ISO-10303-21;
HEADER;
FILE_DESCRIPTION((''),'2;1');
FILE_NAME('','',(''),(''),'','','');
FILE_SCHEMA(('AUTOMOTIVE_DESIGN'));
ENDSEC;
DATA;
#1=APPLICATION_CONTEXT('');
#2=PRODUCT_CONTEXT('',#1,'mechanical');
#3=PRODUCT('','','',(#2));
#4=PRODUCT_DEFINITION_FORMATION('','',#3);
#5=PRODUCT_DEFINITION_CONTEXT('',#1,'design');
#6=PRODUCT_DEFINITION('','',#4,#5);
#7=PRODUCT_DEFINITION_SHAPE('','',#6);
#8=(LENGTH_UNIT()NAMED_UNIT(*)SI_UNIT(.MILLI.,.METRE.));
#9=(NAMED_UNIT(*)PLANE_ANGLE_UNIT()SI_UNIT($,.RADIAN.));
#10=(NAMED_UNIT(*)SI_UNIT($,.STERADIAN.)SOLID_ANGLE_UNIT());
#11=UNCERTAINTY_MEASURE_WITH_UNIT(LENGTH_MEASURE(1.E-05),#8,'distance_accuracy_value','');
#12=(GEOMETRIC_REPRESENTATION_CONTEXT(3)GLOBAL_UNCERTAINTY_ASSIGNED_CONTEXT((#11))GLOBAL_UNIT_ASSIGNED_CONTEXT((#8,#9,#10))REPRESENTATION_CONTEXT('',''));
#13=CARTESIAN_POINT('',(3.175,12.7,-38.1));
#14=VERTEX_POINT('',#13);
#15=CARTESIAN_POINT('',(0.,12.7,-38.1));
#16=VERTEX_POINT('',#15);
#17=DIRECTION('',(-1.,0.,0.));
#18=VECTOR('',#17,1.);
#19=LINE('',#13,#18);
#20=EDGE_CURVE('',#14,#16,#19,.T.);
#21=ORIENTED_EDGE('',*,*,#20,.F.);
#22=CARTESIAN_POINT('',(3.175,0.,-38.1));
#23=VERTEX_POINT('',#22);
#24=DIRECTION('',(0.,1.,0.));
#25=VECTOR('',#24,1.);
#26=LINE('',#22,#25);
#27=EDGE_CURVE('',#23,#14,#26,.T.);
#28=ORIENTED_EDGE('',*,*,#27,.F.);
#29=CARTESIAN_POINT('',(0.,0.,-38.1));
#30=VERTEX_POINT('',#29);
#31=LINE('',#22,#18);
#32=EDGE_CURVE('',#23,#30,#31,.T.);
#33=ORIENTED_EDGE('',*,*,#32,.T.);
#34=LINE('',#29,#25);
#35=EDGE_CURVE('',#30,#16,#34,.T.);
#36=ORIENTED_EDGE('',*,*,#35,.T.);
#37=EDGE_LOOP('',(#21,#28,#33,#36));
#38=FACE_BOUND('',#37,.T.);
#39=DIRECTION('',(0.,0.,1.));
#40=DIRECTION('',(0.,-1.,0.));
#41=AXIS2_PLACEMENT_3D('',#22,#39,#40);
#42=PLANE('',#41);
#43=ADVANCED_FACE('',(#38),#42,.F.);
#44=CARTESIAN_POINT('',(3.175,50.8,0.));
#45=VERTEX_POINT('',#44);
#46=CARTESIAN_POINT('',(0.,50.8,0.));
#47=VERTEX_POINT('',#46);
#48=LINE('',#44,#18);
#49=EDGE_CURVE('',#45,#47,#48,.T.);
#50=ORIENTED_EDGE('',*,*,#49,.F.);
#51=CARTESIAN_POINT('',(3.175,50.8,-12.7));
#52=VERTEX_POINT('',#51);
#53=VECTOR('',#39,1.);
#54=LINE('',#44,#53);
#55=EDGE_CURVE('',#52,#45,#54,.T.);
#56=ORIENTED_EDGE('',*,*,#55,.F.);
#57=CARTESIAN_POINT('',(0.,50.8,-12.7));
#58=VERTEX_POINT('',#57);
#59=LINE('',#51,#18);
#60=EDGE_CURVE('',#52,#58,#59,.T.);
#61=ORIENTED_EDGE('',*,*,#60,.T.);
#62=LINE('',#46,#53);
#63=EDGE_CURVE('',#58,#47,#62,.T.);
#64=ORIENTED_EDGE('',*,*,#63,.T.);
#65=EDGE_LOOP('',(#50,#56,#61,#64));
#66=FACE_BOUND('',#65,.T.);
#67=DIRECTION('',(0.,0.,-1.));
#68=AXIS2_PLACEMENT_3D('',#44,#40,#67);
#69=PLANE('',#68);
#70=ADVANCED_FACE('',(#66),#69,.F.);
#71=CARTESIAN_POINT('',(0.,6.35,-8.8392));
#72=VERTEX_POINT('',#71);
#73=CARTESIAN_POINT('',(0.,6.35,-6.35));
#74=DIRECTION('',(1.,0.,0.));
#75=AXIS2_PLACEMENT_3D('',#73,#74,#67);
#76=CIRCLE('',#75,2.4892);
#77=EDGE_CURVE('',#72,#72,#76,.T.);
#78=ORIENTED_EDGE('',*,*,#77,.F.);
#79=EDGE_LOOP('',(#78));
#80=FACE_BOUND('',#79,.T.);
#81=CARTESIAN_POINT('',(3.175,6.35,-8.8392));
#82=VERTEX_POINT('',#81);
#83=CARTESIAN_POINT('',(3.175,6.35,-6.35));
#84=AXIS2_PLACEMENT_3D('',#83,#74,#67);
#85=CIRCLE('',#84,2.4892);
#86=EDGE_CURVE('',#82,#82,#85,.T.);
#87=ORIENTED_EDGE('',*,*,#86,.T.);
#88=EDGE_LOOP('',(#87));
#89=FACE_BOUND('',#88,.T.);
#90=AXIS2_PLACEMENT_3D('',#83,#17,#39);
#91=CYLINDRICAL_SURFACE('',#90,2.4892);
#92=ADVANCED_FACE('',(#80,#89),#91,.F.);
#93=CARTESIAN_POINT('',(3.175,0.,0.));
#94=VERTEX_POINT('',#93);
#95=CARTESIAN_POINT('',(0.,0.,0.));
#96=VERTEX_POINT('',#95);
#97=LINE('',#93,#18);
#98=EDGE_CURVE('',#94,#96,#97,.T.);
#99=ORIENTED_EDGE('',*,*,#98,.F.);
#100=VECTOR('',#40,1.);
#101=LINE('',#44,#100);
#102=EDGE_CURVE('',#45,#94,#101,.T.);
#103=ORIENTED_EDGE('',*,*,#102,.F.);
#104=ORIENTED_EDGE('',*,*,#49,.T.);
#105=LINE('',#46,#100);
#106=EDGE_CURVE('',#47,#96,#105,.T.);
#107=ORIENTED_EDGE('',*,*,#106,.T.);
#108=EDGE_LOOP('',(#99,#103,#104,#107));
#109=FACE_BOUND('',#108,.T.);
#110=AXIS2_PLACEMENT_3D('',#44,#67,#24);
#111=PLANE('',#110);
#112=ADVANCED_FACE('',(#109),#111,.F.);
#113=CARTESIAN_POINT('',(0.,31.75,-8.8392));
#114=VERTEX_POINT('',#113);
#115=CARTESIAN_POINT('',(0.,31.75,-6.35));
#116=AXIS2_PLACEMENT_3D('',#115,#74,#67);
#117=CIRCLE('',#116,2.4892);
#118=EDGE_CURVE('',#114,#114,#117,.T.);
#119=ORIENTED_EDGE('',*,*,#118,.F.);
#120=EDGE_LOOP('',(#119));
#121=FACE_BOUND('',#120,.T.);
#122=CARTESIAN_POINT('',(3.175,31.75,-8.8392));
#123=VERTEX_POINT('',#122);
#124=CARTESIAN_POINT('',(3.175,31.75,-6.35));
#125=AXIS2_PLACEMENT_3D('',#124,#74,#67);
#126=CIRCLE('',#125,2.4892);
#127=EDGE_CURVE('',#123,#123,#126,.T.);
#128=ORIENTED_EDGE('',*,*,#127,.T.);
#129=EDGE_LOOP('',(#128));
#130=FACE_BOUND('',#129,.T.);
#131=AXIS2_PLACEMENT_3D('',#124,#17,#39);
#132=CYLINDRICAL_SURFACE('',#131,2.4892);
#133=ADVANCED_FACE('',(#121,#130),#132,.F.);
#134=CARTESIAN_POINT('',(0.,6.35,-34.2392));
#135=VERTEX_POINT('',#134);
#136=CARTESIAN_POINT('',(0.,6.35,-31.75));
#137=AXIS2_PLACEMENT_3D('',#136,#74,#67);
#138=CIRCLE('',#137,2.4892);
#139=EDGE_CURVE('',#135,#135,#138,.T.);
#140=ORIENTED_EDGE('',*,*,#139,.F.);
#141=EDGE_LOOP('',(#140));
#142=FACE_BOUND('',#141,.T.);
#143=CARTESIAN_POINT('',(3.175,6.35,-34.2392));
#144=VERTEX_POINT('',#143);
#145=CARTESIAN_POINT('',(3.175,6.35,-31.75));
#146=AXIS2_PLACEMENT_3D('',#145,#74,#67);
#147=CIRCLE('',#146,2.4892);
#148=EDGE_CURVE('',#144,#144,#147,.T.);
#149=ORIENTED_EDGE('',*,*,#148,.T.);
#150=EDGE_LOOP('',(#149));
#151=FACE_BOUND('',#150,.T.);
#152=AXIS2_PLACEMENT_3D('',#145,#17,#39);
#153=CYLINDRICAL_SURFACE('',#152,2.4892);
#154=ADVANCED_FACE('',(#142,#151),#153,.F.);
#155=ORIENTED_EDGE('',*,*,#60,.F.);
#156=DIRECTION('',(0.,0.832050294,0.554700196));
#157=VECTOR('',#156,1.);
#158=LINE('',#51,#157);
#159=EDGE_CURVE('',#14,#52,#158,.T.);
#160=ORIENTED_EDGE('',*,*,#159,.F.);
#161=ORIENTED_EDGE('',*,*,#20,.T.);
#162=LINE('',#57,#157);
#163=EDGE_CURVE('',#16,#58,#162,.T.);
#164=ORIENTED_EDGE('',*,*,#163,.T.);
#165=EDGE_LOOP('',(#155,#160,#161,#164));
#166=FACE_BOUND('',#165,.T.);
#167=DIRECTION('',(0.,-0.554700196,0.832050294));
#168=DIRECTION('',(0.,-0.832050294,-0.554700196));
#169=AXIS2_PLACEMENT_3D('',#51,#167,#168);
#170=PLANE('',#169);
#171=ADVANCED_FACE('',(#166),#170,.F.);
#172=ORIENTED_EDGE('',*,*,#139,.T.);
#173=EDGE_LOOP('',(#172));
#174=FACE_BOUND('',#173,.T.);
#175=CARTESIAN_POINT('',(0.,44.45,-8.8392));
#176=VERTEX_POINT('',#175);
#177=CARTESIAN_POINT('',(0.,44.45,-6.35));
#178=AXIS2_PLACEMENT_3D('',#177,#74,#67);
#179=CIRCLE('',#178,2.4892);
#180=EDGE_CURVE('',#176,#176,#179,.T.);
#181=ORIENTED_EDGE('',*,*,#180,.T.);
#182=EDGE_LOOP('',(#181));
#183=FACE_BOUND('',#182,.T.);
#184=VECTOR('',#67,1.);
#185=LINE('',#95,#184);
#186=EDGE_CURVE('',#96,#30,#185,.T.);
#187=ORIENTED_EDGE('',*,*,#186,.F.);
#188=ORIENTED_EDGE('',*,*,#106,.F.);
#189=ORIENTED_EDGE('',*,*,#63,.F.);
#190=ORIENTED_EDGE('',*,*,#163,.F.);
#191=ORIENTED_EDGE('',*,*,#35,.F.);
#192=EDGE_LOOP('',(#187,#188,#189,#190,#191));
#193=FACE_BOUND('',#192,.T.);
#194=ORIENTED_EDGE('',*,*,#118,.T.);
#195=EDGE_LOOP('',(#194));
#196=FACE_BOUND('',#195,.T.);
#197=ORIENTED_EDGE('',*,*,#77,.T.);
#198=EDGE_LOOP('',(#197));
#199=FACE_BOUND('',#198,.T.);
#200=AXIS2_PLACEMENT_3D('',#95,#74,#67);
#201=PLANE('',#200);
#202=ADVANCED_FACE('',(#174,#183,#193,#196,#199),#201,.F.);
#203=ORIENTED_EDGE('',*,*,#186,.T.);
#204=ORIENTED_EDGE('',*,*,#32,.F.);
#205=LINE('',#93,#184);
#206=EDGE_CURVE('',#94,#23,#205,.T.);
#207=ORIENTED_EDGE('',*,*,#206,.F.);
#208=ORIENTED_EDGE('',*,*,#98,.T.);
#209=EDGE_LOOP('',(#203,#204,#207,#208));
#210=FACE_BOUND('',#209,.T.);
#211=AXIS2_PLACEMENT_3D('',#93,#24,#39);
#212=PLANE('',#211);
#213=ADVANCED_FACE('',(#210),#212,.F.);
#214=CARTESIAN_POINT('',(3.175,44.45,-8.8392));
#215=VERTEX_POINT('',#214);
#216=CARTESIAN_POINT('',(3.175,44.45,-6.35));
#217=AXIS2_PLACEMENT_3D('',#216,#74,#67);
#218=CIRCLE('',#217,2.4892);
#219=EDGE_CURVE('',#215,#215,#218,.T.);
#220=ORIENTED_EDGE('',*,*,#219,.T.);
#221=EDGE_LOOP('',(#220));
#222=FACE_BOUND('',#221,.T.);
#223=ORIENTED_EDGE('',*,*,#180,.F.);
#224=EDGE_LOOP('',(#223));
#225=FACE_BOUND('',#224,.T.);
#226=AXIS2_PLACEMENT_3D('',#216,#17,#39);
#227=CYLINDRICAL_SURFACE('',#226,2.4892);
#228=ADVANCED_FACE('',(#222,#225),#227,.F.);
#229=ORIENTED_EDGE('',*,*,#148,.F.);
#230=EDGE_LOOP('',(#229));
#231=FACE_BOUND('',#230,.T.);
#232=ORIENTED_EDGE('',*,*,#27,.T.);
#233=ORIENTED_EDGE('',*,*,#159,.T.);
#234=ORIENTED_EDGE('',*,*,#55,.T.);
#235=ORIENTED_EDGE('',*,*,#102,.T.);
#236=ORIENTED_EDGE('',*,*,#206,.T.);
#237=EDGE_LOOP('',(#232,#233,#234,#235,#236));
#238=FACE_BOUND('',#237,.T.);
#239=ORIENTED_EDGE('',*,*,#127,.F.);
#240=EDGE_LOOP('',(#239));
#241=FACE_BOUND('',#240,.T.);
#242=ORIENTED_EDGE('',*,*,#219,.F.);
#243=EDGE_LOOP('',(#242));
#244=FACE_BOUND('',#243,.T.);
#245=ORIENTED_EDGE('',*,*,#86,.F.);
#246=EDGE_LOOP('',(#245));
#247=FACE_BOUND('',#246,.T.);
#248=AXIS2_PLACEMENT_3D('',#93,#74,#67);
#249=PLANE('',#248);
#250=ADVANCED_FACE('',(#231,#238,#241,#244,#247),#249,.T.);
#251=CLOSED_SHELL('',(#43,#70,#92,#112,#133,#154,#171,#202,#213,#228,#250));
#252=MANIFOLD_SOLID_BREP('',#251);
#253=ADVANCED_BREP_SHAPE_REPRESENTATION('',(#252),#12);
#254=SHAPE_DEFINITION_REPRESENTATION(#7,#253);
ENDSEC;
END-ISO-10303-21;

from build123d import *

# Parameters (mm, degrees)
SKETCH3_R           = 2.4892
BOSS_EXTRUDE1_DEPTH = 3.175


with BuildPart() as part:
    # Sketch3 → Boss-Extrude1 (new body)
    with BuildSketch(Plane(origin=(0, 0, 0), x_dir=(0, 0, -1), z_dir=(1, 0, 0))):
        Polygon((0, 0), (38.1, 0), (38.1, 12.7), (12.7, 50.8), (0, 50.8), align=None)
        with Locations((6.35, 44.45)):
            Circle(SKETCH3_R, mode=Mode.SUBTRACT)
        with Locations((6.35, 31.75)):
            Circle(SKETCH3_R, mode=Mode.SUBTRACT)
        with Locations((6.35, 6.35)):
            Circle(SKETCH3_R, mode=Mode.SUBTRACT)
        with Locations((31.75, 6.35)):
            Circle(SKETCH3_R, mode=Mode.SUBTRACT)
    extrude(amount=BOSS_EXTRUDE1_DEPTH)


solid = part.part
